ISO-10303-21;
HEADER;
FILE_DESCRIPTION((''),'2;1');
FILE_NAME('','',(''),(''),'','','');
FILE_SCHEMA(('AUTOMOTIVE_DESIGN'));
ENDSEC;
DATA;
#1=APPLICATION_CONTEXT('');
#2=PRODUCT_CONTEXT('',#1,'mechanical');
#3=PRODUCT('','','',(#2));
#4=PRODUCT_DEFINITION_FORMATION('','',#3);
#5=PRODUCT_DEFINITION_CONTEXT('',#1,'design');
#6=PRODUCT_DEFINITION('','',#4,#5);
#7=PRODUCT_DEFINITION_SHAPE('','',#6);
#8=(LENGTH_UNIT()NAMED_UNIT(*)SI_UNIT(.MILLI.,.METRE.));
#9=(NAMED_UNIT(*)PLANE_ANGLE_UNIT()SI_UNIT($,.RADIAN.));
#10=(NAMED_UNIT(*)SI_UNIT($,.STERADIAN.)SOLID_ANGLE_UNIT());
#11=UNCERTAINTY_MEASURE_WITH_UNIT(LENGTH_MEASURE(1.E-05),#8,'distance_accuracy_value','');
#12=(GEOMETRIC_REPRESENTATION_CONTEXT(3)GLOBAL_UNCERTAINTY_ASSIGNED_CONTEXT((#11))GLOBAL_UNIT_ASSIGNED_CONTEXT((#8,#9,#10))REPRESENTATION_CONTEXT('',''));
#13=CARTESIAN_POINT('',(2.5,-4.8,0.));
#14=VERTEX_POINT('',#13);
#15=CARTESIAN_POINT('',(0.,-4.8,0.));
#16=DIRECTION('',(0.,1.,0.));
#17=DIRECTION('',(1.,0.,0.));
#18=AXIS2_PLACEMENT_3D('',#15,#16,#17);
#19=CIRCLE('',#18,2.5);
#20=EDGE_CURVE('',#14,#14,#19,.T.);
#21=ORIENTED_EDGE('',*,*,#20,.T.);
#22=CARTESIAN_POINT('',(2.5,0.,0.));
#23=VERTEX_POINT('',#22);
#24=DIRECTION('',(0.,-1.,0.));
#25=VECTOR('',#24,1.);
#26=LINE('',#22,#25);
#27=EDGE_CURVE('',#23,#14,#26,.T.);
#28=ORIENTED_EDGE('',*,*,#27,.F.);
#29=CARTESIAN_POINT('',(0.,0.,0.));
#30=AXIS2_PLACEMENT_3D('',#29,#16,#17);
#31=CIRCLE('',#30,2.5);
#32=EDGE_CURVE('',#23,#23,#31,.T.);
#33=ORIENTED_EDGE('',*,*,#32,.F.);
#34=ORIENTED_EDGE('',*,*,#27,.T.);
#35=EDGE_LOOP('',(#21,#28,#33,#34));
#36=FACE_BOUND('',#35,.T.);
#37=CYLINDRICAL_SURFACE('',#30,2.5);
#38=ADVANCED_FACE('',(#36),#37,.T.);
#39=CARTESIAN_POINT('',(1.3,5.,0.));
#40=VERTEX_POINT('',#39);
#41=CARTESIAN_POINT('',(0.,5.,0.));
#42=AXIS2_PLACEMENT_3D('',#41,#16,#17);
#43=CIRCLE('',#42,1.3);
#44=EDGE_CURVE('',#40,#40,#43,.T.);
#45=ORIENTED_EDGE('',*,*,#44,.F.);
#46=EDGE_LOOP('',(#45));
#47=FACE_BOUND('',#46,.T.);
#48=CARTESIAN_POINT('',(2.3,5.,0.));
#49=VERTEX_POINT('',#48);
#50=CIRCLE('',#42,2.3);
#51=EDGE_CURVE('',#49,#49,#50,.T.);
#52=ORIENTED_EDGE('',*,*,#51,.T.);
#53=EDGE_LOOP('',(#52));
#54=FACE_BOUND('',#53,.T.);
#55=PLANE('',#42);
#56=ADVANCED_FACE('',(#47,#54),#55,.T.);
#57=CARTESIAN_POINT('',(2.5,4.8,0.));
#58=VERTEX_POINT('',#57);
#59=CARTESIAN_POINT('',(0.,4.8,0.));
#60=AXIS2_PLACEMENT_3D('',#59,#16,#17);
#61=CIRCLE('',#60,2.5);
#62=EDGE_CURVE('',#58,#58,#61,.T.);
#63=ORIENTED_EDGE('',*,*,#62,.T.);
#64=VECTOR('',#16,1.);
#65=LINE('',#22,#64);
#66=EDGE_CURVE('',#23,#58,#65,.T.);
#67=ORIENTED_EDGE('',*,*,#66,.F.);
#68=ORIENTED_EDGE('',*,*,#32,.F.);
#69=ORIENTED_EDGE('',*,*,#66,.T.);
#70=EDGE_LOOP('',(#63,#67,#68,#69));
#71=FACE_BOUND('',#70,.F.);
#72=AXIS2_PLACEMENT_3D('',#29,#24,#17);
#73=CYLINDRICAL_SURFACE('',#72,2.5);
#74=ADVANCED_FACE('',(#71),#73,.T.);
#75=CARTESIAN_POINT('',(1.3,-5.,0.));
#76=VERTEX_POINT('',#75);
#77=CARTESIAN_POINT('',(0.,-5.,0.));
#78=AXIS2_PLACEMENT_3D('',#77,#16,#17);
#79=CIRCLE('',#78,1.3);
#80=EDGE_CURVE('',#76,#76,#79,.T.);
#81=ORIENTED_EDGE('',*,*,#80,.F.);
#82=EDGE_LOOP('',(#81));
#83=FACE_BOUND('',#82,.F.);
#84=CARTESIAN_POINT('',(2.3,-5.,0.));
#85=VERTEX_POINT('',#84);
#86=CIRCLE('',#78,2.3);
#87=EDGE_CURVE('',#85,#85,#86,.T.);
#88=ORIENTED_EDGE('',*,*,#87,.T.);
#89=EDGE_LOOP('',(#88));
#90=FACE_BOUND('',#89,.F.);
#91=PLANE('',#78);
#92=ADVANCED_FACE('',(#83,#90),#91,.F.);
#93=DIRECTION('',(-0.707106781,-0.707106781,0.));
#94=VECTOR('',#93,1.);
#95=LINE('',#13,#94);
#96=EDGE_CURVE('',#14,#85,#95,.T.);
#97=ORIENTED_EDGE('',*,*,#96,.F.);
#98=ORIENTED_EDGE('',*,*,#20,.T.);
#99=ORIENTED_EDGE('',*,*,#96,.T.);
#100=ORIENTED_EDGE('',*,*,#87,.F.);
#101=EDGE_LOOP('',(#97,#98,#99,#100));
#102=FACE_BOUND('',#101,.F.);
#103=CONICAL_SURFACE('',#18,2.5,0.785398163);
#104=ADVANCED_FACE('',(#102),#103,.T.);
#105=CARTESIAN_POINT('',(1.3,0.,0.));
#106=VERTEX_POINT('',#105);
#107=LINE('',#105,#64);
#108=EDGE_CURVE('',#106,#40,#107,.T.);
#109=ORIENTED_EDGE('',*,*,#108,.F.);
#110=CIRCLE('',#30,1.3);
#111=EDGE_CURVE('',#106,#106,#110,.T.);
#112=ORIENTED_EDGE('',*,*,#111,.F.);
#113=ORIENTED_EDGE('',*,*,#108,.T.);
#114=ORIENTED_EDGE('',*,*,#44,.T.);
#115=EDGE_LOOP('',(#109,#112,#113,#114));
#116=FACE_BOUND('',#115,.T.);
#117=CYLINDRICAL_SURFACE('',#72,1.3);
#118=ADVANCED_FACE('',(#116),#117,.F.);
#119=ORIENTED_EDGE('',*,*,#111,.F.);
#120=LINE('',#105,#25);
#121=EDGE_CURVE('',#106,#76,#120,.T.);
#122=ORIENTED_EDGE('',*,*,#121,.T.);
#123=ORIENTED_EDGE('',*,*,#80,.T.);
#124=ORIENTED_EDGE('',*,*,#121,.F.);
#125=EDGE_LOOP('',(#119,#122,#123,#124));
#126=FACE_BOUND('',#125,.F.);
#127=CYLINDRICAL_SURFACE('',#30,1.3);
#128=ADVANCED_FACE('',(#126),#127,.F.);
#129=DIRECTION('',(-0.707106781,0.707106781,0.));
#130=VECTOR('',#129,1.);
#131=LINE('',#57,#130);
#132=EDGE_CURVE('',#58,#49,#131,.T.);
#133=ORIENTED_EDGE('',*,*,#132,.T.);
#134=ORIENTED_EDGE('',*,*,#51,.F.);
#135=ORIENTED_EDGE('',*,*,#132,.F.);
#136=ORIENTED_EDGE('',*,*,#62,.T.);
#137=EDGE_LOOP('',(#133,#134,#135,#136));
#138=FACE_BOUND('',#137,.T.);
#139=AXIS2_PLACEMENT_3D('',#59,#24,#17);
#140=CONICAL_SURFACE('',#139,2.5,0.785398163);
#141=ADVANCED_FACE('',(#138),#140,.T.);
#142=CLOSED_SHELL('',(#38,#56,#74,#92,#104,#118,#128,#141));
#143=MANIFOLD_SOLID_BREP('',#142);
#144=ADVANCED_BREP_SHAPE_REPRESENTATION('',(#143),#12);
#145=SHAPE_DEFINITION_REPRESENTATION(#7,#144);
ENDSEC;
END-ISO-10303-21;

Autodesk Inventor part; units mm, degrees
ref_plane "YZ Plane" through (0, 0, 0) normal (1, 0, 0) x (0, 1, 0)
ref_plane "XZ Plane" through (0, 0, 0) normal (0, 1, 0) x (-1, 0, 0)
ref_plane "XY Plane" through (0, 0, 0) normal (0, 0, 1) x (1, 0, 0)
sketch "スケッチ1" plane through (0, 0, 0) normal (0, 1, 0) x (1, 0, 0)
  circle A0 centre (0, 0) radius 2.5
  circle A1 centre (0, 0) radius 1.3
  dimension "d0" = 5
  dimension "d1" = 2.6
extrude "押し出し1" add sketch "スケッチ1" along normal mid plane 10
chamfer "面取り1" distance 0.2 angle 45 2 edges at (-2.5, 5, 0) (-2.5, -5, 0)
properties part number "ARL-2610E"
